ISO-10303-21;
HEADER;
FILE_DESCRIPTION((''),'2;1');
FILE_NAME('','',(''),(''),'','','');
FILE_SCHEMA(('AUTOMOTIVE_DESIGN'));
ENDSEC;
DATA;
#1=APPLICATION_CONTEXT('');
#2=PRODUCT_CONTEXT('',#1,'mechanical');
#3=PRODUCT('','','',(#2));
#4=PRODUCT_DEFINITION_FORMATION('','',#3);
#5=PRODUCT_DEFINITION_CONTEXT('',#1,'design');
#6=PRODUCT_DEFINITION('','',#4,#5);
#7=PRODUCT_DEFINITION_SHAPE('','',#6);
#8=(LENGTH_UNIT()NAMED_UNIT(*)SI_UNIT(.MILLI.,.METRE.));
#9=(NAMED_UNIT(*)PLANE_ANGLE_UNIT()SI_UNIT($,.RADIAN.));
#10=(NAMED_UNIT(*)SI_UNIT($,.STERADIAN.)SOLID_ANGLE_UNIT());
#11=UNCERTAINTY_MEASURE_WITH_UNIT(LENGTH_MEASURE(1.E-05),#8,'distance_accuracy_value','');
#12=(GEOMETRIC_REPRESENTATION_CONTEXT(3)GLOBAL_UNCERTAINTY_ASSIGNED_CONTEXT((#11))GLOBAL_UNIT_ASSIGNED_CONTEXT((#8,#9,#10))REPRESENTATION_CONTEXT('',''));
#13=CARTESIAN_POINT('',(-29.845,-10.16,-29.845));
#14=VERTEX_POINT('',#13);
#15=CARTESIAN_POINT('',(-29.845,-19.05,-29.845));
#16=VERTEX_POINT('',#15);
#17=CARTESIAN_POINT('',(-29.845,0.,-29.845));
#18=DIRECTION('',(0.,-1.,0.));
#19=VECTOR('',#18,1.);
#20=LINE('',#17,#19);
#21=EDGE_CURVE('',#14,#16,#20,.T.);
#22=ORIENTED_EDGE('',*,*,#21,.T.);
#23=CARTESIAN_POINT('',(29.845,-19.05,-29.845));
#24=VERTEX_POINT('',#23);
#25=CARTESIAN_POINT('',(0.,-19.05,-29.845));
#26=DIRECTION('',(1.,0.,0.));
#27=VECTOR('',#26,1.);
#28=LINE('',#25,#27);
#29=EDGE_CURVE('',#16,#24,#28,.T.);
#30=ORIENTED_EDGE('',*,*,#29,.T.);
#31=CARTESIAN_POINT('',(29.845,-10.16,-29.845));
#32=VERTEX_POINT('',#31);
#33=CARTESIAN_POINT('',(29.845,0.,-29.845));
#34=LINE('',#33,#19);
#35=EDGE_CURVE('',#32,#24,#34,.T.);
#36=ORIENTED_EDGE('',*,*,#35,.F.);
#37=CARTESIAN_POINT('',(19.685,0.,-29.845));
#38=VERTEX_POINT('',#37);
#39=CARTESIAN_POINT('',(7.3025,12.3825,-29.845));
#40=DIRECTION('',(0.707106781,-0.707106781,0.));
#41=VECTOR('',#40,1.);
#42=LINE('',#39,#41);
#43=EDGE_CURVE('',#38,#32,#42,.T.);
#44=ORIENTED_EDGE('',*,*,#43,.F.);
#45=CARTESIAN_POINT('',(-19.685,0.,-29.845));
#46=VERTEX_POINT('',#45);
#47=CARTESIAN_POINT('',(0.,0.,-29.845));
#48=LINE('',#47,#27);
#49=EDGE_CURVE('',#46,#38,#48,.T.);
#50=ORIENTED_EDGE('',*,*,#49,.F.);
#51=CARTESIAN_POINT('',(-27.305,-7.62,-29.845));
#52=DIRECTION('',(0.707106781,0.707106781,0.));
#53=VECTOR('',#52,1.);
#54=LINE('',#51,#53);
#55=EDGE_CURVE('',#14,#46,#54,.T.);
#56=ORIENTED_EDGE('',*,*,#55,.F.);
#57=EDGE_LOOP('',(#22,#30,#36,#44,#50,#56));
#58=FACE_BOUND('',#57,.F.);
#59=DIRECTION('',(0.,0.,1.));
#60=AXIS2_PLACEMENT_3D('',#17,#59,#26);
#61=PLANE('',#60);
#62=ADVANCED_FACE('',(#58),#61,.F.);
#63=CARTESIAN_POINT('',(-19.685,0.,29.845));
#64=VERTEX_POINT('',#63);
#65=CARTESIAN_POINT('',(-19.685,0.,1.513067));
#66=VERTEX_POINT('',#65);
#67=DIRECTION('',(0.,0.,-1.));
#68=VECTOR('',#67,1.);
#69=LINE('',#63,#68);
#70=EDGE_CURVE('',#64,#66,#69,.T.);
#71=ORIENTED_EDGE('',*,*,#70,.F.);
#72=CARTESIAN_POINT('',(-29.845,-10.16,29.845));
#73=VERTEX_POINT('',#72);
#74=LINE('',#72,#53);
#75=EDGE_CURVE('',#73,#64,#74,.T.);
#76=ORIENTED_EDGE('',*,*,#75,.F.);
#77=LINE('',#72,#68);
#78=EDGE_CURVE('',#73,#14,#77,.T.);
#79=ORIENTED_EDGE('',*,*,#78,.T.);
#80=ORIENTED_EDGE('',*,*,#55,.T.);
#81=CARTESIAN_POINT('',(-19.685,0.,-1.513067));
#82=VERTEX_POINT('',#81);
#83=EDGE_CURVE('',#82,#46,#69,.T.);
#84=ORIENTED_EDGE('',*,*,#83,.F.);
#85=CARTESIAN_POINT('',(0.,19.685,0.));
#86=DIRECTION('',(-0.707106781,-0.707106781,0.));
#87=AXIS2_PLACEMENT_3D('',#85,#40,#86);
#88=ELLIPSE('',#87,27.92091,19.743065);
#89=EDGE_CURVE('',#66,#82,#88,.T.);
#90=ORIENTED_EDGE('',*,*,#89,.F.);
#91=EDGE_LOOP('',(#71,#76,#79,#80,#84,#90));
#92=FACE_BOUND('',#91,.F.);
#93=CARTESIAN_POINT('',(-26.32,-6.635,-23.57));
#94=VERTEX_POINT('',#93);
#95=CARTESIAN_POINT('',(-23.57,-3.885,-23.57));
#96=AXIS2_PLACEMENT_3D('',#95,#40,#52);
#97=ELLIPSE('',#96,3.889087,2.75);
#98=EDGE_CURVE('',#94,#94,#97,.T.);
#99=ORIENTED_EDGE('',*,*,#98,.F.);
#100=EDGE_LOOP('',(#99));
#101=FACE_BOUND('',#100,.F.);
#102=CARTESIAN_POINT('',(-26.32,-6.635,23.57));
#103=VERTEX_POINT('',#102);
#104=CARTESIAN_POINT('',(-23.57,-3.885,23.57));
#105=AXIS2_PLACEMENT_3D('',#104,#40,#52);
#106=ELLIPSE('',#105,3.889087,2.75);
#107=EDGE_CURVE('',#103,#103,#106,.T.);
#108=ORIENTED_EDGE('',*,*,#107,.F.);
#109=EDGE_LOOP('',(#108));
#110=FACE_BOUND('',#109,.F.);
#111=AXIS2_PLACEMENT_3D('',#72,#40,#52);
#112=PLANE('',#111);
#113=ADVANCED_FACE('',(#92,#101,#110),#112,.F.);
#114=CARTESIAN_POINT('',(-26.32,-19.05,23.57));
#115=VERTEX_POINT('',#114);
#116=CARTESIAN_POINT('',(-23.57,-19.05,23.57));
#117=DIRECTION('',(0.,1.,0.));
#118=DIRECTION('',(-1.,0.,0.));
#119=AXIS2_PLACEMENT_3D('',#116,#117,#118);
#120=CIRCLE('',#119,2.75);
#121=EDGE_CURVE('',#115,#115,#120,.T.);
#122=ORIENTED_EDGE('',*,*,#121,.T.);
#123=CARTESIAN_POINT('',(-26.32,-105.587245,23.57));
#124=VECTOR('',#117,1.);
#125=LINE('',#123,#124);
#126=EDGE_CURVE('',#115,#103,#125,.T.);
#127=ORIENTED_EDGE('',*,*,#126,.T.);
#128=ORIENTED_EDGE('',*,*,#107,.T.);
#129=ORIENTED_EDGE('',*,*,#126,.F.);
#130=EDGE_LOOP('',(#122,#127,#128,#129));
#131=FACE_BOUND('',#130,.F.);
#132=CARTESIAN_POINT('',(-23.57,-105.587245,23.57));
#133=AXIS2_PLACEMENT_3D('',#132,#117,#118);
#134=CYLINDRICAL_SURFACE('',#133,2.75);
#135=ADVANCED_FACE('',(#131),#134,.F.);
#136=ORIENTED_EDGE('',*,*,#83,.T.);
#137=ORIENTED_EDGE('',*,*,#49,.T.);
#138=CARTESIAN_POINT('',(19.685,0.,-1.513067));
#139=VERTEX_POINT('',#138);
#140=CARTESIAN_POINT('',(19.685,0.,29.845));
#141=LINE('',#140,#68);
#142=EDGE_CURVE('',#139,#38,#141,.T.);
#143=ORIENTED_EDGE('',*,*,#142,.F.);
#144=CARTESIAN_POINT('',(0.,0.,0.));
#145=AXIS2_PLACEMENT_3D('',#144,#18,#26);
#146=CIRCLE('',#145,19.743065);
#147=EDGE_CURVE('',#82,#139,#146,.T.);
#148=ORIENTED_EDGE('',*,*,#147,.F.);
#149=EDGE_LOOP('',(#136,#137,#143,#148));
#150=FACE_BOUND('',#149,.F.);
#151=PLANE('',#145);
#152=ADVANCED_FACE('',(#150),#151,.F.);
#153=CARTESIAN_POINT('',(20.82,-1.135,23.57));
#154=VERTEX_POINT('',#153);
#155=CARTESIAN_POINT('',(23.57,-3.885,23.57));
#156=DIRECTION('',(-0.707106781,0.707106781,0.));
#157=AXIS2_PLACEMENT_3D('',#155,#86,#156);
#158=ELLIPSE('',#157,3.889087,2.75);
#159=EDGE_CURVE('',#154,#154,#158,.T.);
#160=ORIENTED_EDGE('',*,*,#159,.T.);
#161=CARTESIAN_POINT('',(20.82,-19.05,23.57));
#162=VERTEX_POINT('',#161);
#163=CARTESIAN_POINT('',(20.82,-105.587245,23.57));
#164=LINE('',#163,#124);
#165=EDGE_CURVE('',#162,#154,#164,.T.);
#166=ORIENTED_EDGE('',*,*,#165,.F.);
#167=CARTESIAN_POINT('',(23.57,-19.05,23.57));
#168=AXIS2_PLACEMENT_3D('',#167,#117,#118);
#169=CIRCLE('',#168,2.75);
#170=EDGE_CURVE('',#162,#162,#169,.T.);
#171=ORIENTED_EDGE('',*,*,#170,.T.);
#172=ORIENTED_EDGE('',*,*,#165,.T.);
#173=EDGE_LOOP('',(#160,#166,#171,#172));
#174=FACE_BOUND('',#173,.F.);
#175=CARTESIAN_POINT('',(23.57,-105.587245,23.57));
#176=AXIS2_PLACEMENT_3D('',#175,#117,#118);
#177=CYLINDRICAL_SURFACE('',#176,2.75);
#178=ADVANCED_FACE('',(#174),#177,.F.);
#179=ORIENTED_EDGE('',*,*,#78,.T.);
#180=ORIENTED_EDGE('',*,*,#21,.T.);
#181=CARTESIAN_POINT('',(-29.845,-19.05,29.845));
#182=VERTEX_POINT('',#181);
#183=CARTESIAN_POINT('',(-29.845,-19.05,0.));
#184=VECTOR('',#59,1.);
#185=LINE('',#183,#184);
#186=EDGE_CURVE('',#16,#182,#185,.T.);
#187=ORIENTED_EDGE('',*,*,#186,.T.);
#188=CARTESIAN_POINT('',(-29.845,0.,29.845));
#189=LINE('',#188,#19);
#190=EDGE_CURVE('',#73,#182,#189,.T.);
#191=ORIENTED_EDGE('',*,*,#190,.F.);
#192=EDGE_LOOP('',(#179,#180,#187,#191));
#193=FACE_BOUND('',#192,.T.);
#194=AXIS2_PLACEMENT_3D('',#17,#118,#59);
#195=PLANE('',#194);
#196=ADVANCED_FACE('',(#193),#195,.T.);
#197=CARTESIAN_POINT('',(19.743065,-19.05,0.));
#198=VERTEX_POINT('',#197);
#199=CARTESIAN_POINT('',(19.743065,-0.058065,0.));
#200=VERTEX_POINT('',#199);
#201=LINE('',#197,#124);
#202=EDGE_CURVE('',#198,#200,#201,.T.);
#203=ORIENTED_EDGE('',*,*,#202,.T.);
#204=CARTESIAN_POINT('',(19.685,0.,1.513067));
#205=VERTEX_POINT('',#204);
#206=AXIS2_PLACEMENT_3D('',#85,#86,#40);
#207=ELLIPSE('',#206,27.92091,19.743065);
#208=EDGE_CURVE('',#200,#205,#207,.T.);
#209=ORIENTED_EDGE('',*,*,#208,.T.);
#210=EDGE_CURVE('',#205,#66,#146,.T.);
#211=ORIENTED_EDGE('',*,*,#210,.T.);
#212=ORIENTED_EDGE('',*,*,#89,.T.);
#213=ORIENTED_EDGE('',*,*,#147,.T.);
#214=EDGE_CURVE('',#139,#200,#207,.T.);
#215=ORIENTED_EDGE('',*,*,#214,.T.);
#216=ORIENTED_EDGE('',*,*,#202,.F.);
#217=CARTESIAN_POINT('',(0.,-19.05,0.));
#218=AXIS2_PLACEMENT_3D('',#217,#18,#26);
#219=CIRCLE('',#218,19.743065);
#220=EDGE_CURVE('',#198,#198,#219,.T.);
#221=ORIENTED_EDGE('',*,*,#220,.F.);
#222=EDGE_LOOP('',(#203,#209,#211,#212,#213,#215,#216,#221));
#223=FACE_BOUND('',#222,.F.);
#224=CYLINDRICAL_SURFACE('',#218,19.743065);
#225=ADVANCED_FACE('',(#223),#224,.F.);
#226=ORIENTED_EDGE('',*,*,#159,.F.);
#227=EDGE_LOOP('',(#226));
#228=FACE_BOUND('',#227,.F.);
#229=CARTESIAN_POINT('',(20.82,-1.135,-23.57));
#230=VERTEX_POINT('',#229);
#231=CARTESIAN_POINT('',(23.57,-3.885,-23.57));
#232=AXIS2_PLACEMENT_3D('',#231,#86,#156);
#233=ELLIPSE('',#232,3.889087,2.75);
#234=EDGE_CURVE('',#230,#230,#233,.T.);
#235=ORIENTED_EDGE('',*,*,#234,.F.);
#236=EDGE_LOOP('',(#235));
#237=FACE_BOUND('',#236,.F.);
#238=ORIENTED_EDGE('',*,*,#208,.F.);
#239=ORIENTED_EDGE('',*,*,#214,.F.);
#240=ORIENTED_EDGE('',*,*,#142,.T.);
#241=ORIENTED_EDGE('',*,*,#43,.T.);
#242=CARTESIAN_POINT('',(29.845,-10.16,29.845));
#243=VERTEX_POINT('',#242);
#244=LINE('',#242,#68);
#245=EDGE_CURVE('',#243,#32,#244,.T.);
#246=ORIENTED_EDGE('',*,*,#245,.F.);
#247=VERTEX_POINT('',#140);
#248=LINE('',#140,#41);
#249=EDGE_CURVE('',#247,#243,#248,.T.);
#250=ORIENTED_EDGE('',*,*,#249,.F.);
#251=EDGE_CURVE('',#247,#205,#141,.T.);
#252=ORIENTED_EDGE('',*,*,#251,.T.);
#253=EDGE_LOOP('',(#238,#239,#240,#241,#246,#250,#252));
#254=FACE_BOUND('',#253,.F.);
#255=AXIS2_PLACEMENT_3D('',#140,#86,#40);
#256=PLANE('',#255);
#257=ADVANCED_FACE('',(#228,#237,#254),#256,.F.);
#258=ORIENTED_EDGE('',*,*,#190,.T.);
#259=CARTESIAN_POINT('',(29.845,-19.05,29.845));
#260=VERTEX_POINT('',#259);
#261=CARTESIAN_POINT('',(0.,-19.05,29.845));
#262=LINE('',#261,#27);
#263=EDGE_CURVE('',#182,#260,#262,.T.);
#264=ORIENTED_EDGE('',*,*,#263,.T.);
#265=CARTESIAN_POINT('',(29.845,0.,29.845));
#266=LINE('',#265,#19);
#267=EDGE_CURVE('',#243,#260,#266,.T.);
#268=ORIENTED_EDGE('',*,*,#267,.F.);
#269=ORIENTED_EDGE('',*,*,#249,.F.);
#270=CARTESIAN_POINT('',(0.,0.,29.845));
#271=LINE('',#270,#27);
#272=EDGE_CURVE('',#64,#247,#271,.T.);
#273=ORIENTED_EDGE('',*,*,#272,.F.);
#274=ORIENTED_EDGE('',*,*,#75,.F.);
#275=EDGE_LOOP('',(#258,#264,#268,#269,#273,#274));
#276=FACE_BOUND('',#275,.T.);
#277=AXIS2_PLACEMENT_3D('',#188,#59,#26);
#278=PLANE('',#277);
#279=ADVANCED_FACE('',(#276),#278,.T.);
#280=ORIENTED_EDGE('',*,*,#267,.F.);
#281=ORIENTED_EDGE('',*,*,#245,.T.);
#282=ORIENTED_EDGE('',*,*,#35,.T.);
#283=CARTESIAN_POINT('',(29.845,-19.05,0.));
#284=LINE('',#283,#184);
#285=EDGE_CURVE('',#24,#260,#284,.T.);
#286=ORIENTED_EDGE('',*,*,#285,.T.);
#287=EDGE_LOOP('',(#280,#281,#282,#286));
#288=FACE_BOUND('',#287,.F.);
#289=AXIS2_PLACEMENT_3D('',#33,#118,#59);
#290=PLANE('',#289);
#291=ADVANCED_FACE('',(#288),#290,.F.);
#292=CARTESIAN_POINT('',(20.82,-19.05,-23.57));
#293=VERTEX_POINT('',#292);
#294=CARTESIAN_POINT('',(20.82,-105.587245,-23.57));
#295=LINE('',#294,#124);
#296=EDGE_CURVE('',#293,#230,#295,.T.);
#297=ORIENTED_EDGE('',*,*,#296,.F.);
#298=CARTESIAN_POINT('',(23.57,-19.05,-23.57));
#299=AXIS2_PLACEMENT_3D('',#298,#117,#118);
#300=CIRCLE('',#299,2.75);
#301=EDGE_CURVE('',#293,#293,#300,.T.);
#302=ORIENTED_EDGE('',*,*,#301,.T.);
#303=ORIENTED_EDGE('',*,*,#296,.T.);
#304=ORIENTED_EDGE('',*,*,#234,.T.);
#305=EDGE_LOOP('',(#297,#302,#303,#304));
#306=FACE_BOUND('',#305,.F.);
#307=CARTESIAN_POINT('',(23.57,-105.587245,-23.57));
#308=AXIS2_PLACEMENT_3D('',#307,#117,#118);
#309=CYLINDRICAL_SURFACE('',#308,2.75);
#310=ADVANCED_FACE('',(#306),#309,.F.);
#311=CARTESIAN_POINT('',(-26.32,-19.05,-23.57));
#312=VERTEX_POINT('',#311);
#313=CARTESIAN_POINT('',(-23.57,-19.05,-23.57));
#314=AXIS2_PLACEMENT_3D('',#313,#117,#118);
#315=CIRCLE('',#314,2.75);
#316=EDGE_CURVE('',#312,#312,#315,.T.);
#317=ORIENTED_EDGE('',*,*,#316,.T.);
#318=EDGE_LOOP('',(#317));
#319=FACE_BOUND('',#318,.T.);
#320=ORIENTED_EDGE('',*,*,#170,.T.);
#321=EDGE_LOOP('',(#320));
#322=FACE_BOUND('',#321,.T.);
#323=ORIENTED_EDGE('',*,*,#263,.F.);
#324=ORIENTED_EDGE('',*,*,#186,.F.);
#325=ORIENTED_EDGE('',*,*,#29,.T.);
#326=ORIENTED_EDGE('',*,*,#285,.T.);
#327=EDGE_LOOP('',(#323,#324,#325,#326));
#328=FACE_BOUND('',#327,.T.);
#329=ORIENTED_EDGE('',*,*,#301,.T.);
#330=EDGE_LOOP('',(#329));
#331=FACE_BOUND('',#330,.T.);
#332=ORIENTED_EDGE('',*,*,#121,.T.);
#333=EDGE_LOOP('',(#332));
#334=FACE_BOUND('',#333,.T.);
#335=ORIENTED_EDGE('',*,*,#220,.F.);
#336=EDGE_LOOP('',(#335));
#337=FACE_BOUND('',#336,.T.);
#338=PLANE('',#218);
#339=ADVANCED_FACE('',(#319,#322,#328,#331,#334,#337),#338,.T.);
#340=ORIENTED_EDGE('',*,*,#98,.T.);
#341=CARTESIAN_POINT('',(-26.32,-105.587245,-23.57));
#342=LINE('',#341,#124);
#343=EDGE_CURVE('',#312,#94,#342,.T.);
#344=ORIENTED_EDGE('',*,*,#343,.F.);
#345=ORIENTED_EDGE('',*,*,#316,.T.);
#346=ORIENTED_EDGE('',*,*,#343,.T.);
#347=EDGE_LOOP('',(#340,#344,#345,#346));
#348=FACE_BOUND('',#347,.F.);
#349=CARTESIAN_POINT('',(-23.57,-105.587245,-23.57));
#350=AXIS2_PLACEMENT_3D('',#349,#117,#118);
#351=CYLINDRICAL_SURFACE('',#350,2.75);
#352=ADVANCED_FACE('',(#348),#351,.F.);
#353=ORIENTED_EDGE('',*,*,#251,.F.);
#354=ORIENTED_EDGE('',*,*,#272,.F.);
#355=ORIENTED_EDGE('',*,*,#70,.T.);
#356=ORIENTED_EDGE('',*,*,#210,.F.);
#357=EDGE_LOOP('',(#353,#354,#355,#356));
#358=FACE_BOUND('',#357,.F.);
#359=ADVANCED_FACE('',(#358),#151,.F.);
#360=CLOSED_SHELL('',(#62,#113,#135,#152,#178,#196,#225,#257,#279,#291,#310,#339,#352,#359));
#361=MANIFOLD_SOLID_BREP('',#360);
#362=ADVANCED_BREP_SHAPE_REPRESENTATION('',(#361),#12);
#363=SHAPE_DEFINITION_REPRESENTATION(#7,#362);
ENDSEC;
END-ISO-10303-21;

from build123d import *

# Parameters (mm, degrees)
F0_W     = 59.69
F0_H     = 59.69
F1_DEPTH = 19.05
F2_R     = 19.7430645089
F3_DEPTH = 25.4
F5_D     = 5.5
F8_DEPTH = 59.691


with BuildPart() as f1:
    # F0 (on Front) → F1 (new body)
    with BuildSketch(Plane.XZ):
        Rectangle(F0_W, F0_H)
    extrude(amount=F1_DEPTH)

    # F2 (on face) → F3 (cut)
    with BuildSketch(Plane.XZ.offset(19.05)):
        Circle(F2_R)
    extrude(amount=-F3_DEPTH, mode=Mode.SUBTRACT)

    # F5 (through all)
    with Locations(Plane.XZ.offset(19.05)):
        with Locations((-23.57, 23.57), (23.57, 23.57), (23.57, -23.57), (-23.57, -23.57)):
            Hole(F5_D / 2)

    # F7 (on face) → F8 (cut, through all)
    with BuildSketch(Plane.XY.offset(29.845)):
        Polygon((-29.845, 0), (-29.845, -10.16), (-19.685, 0), align=None)
        Polygon((19.685, 0), (29.845, -10.16), (29.845, 0), align=None)
    extrude(amount=-F8_DEPTH, mode=Mode.SUBTRACT)


solid = f1.part
